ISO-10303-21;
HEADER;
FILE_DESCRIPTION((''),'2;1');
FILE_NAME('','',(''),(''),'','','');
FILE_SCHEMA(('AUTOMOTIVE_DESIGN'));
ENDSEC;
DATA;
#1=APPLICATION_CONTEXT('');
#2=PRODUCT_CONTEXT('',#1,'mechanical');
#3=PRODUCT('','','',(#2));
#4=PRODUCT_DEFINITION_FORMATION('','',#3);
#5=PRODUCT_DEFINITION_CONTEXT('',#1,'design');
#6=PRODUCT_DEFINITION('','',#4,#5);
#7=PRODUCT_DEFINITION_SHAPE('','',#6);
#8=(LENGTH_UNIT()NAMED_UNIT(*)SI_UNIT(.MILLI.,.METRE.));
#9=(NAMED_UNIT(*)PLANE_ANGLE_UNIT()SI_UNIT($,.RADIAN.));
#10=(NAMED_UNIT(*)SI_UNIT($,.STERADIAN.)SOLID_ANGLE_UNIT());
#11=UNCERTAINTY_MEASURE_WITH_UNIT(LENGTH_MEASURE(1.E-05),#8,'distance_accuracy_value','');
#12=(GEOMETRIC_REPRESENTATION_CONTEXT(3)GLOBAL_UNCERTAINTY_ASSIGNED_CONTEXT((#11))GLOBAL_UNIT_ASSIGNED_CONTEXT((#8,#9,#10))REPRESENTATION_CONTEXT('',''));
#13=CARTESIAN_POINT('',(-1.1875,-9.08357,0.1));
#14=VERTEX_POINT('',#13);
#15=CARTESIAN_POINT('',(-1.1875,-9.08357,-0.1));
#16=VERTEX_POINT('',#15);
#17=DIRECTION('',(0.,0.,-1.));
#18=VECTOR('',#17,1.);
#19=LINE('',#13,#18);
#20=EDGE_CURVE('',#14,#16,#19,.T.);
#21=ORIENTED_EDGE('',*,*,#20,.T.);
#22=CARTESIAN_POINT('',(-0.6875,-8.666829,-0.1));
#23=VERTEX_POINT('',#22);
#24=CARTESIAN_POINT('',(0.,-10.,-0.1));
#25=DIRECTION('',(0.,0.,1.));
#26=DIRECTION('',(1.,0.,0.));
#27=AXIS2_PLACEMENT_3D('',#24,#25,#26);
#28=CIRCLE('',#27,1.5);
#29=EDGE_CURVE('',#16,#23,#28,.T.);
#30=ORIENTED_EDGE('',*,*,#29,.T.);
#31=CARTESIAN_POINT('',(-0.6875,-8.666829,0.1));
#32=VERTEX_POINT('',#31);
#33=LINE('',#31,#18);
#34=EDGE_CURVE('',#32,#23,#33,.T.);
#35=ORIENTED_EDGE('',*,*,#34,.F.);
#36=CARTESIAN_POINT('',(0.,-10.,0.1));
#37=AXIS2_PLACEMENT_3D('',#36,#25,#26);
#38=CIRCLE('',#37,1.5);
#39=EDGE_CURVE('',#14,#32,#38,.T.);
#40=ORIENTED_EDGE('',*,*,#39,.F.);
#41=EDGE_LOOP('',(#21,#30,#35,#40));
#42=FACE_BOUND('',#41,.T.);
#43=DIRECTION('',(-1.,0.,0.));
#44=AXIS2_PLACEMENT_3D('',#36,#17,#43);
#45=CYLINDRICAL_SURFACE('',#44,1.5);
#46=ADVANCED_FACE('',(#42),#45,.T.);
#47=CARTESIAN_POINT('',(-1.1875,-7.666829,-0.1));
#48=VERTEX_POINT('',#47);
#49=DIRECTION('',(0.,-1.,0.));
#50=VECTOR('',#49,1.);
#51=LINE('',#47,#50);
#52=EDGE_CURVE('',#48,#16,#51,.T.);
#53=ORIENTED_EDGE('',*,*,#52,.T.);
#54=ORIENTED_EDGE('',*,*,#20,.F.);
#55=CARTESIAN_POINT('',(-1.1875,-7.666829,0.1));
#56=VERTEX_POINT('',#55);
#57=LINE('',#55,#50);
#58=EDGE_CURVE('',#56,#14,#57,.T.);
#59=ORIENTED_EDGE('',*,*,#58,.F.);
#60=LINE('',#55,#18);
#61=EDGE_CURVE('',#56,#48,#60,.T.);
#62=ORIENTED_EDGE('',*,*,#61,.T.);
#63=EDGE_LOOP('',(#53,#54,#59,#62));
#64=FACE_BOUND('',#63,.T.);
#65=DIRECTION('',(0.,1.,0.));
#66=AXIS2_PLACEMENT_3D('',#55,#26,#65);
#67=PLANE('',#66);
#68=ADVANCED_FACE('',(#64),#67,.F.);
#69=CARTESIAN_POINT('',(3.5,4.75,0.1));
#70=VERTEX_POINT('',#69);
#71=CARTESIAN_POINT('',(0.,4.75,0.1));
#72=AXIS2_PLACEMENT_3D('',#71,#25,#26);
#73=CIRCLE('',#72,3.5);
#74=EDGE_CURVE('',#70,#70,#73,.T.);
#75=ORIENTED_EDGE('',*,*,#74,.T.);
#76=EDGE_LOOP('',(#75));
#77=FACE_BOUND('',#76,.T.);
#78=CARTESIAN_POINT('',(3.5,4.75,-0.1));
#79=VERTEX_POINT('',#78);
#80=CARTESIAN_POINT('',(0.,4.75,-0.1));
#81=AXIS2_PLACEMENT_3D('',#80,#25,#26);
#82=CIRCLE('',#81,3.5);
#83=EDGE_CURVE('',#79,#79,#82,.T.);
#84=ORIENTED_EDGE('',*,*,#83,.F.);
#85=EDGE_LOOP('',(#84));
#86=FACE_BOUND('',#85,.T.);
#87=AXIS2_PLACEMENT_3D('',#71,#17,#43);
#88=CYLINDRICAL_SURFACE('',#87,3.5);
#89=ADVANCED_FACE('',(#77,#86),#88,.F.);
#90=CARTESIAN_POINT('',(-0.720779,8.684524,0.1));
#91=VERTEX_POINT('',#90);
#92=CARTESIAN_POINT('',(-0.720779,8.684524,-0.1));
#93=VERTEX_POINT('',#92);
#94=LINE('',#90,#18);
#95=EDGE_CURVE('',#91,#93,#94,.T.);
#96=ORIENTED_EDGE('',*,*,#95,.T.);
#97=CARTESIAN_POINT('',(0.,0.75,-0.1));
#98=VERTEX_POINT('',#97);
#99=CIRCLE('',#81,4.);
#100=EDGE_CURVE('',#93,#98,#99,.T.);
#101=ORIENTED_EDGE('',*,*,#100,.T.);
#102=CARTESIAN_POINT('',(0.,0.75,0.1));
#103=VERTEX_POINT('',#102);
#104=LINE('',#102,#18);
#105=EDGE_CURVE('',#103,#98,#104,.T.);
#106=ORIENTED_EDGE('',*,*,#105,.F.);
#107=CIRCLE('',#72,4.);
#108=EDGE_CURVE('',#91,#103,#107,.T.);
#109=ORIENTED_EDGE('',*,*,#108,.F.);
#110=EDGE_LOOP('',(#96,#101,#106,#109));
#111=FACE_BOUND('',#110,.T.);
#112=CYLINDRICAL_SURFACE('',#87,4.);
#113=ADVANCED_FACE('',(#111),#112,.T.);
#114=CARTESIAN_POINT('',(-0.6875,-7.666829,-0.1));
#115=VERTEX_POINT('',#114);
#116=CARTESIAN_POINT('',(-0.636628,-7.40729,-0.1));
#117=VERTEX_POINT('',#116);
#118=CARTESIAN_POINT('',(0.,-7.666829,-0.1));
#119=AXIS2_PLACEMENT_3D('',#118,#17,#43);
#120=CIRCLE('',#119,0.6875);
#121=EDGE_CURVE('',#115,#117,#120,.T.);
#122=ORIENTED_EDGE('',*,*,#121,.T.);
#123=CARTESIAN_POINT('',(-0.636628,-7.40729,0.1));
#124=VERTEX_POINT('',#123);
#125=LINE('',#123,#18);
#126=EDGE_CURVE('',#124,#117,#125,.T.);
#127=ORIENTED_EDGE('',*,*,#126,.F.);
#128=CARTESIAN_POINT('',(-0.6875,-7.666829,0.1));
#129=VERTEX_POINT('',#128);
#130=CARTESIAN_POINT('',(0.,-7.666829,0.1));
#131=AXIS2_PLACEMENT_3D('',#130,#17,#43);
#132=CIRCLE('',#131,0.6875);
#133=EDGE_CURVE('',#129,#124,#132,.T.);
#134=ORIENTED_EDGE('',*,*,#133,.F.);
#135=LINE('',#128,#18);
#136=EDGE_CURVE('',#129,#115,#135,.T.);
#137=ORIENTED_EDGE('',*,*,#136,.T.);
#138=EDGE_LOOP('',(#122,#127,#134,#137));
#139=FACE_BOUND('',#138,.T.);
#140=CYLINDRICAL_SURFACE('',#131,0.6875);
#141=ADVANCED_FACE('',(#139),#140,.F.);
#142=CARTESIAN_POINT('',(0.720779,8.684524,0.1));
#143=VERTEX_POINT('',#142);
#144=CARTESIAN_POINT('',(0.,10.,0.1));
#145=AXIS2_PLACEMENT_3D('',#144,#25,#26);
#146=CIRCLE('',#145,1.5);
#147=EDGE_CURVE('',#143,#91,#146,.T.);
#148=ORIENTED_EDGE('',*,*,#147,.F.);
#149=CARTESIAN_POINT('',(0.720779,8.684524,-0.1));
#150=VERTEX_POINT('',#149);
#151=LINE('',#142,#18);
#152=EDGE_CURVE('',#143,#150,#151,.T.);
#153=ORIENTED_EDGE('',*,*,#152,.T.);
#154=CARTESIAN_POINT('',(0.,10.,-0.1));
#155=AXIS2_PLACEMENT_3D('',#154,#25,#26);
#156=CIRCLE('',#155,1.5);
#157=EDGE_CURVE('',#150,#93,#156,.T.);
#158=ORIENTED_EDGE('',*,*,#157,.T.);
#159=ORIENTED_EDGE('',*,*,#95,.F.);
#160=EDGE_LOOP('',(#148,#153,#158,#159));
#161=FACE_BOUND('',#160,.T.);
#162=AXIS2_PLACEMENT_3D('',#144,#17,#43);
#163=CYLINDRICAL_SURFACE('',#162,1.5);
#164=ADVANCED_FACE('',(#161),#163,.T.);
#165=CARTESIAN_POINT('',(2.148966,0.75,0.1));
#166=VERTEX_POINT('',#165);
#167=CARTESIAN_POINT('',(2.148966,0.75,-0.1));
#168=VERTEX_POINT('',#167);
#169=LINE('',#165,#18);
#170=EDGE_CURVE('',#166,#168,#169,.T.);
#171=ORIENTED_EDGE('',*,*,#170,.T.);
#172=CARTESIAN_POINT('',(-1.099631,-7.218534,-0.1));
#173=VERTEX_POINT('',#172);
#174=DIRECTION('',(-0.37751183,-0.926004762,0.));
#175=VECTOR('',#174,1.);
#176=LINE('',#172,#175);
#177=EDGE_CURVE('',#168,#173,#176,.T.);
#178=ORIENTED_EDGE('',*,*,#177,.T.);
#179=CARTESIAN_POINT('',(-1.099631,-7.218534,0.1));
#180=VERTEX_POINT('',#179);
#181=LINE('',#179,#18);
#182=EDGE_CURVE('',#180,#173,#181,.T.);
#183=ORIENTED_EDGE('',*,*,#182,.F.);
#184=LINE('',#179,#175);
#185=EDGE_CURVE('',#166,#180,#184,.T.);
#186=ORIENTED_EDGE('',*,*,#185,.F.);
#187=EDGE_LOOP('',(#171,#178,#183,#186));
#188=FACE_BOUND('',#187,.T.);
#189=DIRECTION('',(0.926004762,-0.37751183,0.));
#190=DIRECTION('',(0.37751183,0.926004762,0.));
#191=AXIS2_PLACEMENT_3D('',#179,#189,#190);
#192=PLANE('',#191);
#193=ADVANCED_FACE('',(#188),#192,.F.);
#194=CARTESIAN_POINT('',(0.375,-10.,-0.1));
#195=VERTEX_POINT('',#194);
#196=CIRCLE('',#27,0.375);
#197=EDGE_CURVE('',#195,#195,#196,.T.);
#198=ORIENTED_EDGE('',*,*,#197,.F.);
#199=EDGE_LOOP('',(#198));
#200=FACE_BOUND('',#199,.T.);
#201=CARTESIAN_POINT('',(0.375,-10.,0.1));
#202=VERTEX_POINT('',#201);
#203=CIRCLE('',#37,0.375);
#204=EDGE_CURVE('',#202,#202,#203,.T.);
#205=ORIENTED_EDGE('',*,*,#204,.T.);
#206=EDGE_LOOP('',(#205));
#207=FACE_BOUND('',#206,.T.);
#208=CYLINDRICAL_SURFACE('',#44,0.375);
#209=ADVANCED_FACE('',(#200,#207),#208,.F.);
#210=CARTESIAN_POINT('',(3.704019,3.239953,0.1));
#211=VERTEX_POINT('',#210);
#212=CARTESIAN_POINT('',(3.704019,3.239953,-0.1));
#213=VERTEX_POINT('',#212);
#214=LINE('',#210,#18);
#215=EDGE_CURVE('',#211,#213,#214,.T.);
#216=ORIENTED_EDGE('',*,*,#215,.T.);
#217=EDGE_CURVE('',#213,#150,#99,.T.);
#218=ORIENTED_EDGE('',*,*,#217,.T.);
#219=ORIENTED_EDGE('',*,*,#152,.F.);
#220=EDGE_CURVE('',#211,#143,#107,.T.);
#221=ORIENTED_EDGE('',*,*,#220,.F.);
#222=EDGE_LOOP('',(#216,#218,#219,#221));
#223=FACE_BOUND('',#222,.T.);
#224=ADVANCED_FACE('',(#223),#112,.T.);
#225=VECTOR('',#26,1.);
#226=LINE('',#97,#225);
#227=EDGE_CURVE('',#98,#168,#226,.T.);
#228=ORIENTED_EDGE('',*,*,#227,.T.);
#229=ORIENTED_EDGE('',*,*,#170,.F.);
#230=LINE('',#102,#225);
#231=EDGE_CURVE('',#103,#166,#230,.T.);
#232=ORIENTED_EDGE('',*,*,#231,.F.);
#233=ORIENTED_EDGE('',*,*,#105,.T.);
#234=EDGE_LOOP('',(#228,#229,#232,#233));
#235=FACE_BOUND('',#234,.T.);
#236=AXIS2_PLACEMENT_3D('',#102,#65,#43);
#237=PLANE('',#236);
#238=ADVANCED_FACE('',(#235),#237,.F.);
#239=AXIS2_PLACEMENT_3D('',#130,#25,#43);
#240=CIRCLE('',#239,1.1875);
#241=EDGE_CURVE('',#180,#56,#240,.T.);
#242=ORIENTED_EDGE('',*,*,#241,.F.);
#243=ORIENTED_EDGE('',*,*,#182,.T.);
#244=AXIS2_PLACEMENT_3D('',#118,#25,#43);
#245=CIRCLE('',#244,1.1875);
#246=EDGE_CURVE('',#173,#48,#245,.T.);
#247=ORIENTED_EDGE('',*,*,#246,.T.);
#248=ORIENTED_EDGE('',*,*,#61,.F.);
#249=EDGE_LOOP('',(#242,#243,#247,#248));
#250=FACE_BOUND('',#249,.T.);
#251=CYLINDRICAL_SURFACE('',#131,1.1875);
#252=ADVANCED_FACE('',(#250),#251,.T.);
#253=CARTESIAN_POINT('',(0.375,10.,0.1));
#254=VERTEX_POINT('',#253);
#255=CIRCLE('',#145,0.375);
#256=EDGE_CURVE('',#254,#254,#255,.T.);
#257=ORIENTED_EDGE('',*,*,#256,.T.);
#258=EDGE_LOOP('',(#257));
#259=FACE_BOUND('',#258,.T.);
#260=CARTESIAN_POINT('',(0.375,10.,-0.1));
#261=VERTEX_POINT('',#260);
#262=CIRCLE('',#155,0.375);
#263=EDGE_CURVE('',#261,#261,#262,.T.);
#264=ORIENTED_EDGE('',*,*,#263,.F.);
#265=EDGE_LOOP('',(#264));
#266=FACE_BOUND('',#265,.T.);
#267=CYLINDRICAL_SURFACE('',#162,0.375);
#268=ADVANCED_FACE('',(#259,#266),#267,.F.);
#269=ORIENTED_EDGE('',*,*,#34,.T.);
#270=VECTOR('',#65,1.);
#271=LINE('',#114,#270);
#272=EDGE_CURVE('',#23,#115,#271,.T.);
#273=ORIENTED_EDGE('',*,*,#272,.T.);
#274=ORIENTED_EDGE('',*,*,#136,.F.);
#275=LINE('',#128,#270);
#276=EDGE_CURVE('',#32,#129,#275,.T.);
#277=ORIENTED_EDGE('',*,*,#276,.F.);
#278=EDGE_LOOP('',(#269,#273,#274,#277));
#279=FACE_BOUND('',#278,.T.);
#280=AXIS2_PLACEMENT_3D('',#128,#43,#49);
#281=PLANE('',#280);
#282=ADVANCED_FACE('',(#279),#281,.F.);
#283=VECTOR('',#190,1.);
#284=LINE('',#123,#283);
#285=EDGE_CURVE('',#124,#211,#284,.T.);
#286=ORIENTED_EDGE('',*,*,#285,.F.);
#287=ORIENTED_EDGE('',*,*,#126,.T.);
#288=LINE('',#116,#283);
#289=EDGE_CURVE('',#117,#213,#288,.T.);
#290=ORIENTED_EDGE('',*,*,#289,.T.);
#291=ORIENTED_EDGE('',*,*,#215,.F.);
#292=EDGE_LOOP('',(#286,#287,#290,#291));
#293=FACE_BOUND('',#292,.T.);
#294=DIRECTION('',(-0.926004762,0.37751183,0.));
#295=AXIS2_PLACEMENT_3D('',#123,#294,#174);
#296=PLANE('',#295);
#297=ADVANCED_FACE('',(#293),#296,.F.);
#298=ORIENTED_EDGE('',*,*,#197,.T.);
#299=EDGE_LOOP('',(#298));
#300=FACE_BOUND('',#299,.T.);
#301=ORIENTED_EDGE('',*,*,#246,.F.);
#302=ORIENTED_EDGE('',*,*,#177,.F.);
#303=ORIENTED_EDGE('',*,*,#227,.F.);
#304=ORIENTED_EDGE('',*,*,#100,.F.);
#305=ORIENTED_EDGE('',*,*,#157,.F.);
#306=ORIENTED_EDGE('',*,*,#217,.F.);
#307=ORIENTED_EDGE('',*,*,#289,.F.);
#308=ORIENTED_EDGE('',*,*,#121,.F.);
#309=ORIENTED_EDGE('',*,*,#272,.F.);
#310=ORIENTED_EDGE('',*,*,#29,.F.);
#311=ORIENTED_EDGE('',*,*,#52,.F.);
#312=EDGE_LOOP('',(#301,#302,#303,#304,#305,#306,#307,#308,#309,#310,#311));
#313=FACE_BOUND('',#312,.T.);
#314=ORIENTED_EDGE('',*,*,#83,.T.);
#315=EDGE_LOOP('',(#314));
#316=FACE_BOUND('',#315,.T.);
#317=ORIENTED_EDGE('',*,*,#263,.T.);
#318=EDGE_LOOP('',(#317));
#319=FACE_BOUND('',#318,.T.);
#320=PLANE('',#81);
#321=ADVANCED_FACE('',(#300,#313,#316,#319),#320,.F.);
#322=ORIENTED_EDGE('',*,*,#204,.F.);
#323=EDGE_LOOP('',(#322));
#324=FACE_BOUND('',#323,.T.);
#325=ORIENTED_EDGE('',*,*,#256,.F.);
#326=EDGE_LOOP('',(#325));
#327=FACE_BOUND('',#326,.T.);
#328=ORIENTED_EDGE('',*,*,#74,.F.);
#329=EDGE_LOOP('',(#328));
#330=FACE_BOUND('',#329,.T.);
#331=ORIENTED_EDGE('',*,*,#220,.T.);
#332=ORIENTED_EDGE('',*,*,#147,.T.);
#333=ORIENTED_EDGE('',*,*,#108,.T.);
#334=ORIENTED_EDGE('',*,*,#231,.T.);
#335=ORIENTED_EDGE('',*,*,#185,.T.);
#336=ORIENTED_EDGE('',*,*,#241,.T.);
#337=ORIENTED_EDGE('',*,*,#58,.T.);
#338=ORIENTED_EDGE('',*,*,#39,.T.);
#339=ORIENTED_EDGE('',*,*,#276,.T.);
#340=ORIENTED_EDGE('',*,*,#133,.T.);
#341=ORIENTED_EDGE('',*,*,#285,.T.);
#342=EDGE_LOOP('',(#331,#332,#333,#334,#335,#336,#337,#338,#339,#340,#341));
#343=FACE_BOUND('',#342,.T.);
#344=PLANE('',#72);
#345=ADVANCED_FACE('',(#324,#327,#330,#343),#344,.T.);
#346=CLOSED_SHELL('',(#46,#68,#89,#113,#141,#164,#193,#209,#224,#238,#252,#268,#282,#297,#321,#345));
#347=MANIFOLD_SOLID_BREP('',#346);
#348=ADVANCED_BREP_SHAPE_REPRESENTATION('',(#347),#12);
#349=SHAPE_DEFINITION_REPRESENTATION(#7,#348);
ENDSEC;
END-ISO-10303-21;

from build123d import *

# Parameters (mm, degrees)
SKETCH1_R           = 0.375
SKETCH1_R_2         = 3.5
BOSS_EXTRUDE1_DEPTH = 0.1


with BuildPart() as part:
    # Sketch1 → Boss-Extrude1 (new body, symmetric)
    with BuildSketch(Plane.XY):
        with BuildLine():
            Line((-0.636628274, -7.407290054), (3.704019046, 3.239952681))
            ThreePointArc((3.704019046, 3.239952681), (3.507926477, 6.672095687), (0.720779018, 8.68452381))
            ThreePointArc((0.720779018, 8.68452381), (0, 11.5), (-0.720779018, 8.68452381))
            ThreePointArc((-0.720779018, 8.68452381), (-3.983597321, 4.388126568), (0, 0.75))
            Line((0, 0.75), (2.148965927, 0.75))
            Line((2.148965927, 0.75), (-1.099630654, -7.218534139))
            ThreePointArc((-1.099630654, -7.218534139), (-1.165325631, -7.4384166), (-1.1875, -7.666829437))
            Line((-1.1875, -7.666829437), (-1.1875, -9.083570106))
            ThreePointArc((-1.1875, -9.083570106), (0.960377242, -11.152248043), (-0.6875, -8.666829437))
            Line((-0.6875, -8.666829437), (-0.6875, -7.666829437))
            ThreePointArc((-0.6875, -7.666829437), (-0.674662207, -7.534590426), (-0.636628274, -7.407290054))
        make_face()
        with Locations((0, -10)):
            Circle(SKETCH1_R, mode=Mode.SUBTRACT)
        with Locations((0, 10)):
            Circle(SKETCH1_R, mode=Mode.SUBTRACT)
        with Locations((0, 4.75)):
            Circle(SKETCH1_R_2, mode=Mode.SUBTRACT)
    extrude(amount=BOSS_EXTRUDE1_DEPTH, both=True)


solid = part.part
